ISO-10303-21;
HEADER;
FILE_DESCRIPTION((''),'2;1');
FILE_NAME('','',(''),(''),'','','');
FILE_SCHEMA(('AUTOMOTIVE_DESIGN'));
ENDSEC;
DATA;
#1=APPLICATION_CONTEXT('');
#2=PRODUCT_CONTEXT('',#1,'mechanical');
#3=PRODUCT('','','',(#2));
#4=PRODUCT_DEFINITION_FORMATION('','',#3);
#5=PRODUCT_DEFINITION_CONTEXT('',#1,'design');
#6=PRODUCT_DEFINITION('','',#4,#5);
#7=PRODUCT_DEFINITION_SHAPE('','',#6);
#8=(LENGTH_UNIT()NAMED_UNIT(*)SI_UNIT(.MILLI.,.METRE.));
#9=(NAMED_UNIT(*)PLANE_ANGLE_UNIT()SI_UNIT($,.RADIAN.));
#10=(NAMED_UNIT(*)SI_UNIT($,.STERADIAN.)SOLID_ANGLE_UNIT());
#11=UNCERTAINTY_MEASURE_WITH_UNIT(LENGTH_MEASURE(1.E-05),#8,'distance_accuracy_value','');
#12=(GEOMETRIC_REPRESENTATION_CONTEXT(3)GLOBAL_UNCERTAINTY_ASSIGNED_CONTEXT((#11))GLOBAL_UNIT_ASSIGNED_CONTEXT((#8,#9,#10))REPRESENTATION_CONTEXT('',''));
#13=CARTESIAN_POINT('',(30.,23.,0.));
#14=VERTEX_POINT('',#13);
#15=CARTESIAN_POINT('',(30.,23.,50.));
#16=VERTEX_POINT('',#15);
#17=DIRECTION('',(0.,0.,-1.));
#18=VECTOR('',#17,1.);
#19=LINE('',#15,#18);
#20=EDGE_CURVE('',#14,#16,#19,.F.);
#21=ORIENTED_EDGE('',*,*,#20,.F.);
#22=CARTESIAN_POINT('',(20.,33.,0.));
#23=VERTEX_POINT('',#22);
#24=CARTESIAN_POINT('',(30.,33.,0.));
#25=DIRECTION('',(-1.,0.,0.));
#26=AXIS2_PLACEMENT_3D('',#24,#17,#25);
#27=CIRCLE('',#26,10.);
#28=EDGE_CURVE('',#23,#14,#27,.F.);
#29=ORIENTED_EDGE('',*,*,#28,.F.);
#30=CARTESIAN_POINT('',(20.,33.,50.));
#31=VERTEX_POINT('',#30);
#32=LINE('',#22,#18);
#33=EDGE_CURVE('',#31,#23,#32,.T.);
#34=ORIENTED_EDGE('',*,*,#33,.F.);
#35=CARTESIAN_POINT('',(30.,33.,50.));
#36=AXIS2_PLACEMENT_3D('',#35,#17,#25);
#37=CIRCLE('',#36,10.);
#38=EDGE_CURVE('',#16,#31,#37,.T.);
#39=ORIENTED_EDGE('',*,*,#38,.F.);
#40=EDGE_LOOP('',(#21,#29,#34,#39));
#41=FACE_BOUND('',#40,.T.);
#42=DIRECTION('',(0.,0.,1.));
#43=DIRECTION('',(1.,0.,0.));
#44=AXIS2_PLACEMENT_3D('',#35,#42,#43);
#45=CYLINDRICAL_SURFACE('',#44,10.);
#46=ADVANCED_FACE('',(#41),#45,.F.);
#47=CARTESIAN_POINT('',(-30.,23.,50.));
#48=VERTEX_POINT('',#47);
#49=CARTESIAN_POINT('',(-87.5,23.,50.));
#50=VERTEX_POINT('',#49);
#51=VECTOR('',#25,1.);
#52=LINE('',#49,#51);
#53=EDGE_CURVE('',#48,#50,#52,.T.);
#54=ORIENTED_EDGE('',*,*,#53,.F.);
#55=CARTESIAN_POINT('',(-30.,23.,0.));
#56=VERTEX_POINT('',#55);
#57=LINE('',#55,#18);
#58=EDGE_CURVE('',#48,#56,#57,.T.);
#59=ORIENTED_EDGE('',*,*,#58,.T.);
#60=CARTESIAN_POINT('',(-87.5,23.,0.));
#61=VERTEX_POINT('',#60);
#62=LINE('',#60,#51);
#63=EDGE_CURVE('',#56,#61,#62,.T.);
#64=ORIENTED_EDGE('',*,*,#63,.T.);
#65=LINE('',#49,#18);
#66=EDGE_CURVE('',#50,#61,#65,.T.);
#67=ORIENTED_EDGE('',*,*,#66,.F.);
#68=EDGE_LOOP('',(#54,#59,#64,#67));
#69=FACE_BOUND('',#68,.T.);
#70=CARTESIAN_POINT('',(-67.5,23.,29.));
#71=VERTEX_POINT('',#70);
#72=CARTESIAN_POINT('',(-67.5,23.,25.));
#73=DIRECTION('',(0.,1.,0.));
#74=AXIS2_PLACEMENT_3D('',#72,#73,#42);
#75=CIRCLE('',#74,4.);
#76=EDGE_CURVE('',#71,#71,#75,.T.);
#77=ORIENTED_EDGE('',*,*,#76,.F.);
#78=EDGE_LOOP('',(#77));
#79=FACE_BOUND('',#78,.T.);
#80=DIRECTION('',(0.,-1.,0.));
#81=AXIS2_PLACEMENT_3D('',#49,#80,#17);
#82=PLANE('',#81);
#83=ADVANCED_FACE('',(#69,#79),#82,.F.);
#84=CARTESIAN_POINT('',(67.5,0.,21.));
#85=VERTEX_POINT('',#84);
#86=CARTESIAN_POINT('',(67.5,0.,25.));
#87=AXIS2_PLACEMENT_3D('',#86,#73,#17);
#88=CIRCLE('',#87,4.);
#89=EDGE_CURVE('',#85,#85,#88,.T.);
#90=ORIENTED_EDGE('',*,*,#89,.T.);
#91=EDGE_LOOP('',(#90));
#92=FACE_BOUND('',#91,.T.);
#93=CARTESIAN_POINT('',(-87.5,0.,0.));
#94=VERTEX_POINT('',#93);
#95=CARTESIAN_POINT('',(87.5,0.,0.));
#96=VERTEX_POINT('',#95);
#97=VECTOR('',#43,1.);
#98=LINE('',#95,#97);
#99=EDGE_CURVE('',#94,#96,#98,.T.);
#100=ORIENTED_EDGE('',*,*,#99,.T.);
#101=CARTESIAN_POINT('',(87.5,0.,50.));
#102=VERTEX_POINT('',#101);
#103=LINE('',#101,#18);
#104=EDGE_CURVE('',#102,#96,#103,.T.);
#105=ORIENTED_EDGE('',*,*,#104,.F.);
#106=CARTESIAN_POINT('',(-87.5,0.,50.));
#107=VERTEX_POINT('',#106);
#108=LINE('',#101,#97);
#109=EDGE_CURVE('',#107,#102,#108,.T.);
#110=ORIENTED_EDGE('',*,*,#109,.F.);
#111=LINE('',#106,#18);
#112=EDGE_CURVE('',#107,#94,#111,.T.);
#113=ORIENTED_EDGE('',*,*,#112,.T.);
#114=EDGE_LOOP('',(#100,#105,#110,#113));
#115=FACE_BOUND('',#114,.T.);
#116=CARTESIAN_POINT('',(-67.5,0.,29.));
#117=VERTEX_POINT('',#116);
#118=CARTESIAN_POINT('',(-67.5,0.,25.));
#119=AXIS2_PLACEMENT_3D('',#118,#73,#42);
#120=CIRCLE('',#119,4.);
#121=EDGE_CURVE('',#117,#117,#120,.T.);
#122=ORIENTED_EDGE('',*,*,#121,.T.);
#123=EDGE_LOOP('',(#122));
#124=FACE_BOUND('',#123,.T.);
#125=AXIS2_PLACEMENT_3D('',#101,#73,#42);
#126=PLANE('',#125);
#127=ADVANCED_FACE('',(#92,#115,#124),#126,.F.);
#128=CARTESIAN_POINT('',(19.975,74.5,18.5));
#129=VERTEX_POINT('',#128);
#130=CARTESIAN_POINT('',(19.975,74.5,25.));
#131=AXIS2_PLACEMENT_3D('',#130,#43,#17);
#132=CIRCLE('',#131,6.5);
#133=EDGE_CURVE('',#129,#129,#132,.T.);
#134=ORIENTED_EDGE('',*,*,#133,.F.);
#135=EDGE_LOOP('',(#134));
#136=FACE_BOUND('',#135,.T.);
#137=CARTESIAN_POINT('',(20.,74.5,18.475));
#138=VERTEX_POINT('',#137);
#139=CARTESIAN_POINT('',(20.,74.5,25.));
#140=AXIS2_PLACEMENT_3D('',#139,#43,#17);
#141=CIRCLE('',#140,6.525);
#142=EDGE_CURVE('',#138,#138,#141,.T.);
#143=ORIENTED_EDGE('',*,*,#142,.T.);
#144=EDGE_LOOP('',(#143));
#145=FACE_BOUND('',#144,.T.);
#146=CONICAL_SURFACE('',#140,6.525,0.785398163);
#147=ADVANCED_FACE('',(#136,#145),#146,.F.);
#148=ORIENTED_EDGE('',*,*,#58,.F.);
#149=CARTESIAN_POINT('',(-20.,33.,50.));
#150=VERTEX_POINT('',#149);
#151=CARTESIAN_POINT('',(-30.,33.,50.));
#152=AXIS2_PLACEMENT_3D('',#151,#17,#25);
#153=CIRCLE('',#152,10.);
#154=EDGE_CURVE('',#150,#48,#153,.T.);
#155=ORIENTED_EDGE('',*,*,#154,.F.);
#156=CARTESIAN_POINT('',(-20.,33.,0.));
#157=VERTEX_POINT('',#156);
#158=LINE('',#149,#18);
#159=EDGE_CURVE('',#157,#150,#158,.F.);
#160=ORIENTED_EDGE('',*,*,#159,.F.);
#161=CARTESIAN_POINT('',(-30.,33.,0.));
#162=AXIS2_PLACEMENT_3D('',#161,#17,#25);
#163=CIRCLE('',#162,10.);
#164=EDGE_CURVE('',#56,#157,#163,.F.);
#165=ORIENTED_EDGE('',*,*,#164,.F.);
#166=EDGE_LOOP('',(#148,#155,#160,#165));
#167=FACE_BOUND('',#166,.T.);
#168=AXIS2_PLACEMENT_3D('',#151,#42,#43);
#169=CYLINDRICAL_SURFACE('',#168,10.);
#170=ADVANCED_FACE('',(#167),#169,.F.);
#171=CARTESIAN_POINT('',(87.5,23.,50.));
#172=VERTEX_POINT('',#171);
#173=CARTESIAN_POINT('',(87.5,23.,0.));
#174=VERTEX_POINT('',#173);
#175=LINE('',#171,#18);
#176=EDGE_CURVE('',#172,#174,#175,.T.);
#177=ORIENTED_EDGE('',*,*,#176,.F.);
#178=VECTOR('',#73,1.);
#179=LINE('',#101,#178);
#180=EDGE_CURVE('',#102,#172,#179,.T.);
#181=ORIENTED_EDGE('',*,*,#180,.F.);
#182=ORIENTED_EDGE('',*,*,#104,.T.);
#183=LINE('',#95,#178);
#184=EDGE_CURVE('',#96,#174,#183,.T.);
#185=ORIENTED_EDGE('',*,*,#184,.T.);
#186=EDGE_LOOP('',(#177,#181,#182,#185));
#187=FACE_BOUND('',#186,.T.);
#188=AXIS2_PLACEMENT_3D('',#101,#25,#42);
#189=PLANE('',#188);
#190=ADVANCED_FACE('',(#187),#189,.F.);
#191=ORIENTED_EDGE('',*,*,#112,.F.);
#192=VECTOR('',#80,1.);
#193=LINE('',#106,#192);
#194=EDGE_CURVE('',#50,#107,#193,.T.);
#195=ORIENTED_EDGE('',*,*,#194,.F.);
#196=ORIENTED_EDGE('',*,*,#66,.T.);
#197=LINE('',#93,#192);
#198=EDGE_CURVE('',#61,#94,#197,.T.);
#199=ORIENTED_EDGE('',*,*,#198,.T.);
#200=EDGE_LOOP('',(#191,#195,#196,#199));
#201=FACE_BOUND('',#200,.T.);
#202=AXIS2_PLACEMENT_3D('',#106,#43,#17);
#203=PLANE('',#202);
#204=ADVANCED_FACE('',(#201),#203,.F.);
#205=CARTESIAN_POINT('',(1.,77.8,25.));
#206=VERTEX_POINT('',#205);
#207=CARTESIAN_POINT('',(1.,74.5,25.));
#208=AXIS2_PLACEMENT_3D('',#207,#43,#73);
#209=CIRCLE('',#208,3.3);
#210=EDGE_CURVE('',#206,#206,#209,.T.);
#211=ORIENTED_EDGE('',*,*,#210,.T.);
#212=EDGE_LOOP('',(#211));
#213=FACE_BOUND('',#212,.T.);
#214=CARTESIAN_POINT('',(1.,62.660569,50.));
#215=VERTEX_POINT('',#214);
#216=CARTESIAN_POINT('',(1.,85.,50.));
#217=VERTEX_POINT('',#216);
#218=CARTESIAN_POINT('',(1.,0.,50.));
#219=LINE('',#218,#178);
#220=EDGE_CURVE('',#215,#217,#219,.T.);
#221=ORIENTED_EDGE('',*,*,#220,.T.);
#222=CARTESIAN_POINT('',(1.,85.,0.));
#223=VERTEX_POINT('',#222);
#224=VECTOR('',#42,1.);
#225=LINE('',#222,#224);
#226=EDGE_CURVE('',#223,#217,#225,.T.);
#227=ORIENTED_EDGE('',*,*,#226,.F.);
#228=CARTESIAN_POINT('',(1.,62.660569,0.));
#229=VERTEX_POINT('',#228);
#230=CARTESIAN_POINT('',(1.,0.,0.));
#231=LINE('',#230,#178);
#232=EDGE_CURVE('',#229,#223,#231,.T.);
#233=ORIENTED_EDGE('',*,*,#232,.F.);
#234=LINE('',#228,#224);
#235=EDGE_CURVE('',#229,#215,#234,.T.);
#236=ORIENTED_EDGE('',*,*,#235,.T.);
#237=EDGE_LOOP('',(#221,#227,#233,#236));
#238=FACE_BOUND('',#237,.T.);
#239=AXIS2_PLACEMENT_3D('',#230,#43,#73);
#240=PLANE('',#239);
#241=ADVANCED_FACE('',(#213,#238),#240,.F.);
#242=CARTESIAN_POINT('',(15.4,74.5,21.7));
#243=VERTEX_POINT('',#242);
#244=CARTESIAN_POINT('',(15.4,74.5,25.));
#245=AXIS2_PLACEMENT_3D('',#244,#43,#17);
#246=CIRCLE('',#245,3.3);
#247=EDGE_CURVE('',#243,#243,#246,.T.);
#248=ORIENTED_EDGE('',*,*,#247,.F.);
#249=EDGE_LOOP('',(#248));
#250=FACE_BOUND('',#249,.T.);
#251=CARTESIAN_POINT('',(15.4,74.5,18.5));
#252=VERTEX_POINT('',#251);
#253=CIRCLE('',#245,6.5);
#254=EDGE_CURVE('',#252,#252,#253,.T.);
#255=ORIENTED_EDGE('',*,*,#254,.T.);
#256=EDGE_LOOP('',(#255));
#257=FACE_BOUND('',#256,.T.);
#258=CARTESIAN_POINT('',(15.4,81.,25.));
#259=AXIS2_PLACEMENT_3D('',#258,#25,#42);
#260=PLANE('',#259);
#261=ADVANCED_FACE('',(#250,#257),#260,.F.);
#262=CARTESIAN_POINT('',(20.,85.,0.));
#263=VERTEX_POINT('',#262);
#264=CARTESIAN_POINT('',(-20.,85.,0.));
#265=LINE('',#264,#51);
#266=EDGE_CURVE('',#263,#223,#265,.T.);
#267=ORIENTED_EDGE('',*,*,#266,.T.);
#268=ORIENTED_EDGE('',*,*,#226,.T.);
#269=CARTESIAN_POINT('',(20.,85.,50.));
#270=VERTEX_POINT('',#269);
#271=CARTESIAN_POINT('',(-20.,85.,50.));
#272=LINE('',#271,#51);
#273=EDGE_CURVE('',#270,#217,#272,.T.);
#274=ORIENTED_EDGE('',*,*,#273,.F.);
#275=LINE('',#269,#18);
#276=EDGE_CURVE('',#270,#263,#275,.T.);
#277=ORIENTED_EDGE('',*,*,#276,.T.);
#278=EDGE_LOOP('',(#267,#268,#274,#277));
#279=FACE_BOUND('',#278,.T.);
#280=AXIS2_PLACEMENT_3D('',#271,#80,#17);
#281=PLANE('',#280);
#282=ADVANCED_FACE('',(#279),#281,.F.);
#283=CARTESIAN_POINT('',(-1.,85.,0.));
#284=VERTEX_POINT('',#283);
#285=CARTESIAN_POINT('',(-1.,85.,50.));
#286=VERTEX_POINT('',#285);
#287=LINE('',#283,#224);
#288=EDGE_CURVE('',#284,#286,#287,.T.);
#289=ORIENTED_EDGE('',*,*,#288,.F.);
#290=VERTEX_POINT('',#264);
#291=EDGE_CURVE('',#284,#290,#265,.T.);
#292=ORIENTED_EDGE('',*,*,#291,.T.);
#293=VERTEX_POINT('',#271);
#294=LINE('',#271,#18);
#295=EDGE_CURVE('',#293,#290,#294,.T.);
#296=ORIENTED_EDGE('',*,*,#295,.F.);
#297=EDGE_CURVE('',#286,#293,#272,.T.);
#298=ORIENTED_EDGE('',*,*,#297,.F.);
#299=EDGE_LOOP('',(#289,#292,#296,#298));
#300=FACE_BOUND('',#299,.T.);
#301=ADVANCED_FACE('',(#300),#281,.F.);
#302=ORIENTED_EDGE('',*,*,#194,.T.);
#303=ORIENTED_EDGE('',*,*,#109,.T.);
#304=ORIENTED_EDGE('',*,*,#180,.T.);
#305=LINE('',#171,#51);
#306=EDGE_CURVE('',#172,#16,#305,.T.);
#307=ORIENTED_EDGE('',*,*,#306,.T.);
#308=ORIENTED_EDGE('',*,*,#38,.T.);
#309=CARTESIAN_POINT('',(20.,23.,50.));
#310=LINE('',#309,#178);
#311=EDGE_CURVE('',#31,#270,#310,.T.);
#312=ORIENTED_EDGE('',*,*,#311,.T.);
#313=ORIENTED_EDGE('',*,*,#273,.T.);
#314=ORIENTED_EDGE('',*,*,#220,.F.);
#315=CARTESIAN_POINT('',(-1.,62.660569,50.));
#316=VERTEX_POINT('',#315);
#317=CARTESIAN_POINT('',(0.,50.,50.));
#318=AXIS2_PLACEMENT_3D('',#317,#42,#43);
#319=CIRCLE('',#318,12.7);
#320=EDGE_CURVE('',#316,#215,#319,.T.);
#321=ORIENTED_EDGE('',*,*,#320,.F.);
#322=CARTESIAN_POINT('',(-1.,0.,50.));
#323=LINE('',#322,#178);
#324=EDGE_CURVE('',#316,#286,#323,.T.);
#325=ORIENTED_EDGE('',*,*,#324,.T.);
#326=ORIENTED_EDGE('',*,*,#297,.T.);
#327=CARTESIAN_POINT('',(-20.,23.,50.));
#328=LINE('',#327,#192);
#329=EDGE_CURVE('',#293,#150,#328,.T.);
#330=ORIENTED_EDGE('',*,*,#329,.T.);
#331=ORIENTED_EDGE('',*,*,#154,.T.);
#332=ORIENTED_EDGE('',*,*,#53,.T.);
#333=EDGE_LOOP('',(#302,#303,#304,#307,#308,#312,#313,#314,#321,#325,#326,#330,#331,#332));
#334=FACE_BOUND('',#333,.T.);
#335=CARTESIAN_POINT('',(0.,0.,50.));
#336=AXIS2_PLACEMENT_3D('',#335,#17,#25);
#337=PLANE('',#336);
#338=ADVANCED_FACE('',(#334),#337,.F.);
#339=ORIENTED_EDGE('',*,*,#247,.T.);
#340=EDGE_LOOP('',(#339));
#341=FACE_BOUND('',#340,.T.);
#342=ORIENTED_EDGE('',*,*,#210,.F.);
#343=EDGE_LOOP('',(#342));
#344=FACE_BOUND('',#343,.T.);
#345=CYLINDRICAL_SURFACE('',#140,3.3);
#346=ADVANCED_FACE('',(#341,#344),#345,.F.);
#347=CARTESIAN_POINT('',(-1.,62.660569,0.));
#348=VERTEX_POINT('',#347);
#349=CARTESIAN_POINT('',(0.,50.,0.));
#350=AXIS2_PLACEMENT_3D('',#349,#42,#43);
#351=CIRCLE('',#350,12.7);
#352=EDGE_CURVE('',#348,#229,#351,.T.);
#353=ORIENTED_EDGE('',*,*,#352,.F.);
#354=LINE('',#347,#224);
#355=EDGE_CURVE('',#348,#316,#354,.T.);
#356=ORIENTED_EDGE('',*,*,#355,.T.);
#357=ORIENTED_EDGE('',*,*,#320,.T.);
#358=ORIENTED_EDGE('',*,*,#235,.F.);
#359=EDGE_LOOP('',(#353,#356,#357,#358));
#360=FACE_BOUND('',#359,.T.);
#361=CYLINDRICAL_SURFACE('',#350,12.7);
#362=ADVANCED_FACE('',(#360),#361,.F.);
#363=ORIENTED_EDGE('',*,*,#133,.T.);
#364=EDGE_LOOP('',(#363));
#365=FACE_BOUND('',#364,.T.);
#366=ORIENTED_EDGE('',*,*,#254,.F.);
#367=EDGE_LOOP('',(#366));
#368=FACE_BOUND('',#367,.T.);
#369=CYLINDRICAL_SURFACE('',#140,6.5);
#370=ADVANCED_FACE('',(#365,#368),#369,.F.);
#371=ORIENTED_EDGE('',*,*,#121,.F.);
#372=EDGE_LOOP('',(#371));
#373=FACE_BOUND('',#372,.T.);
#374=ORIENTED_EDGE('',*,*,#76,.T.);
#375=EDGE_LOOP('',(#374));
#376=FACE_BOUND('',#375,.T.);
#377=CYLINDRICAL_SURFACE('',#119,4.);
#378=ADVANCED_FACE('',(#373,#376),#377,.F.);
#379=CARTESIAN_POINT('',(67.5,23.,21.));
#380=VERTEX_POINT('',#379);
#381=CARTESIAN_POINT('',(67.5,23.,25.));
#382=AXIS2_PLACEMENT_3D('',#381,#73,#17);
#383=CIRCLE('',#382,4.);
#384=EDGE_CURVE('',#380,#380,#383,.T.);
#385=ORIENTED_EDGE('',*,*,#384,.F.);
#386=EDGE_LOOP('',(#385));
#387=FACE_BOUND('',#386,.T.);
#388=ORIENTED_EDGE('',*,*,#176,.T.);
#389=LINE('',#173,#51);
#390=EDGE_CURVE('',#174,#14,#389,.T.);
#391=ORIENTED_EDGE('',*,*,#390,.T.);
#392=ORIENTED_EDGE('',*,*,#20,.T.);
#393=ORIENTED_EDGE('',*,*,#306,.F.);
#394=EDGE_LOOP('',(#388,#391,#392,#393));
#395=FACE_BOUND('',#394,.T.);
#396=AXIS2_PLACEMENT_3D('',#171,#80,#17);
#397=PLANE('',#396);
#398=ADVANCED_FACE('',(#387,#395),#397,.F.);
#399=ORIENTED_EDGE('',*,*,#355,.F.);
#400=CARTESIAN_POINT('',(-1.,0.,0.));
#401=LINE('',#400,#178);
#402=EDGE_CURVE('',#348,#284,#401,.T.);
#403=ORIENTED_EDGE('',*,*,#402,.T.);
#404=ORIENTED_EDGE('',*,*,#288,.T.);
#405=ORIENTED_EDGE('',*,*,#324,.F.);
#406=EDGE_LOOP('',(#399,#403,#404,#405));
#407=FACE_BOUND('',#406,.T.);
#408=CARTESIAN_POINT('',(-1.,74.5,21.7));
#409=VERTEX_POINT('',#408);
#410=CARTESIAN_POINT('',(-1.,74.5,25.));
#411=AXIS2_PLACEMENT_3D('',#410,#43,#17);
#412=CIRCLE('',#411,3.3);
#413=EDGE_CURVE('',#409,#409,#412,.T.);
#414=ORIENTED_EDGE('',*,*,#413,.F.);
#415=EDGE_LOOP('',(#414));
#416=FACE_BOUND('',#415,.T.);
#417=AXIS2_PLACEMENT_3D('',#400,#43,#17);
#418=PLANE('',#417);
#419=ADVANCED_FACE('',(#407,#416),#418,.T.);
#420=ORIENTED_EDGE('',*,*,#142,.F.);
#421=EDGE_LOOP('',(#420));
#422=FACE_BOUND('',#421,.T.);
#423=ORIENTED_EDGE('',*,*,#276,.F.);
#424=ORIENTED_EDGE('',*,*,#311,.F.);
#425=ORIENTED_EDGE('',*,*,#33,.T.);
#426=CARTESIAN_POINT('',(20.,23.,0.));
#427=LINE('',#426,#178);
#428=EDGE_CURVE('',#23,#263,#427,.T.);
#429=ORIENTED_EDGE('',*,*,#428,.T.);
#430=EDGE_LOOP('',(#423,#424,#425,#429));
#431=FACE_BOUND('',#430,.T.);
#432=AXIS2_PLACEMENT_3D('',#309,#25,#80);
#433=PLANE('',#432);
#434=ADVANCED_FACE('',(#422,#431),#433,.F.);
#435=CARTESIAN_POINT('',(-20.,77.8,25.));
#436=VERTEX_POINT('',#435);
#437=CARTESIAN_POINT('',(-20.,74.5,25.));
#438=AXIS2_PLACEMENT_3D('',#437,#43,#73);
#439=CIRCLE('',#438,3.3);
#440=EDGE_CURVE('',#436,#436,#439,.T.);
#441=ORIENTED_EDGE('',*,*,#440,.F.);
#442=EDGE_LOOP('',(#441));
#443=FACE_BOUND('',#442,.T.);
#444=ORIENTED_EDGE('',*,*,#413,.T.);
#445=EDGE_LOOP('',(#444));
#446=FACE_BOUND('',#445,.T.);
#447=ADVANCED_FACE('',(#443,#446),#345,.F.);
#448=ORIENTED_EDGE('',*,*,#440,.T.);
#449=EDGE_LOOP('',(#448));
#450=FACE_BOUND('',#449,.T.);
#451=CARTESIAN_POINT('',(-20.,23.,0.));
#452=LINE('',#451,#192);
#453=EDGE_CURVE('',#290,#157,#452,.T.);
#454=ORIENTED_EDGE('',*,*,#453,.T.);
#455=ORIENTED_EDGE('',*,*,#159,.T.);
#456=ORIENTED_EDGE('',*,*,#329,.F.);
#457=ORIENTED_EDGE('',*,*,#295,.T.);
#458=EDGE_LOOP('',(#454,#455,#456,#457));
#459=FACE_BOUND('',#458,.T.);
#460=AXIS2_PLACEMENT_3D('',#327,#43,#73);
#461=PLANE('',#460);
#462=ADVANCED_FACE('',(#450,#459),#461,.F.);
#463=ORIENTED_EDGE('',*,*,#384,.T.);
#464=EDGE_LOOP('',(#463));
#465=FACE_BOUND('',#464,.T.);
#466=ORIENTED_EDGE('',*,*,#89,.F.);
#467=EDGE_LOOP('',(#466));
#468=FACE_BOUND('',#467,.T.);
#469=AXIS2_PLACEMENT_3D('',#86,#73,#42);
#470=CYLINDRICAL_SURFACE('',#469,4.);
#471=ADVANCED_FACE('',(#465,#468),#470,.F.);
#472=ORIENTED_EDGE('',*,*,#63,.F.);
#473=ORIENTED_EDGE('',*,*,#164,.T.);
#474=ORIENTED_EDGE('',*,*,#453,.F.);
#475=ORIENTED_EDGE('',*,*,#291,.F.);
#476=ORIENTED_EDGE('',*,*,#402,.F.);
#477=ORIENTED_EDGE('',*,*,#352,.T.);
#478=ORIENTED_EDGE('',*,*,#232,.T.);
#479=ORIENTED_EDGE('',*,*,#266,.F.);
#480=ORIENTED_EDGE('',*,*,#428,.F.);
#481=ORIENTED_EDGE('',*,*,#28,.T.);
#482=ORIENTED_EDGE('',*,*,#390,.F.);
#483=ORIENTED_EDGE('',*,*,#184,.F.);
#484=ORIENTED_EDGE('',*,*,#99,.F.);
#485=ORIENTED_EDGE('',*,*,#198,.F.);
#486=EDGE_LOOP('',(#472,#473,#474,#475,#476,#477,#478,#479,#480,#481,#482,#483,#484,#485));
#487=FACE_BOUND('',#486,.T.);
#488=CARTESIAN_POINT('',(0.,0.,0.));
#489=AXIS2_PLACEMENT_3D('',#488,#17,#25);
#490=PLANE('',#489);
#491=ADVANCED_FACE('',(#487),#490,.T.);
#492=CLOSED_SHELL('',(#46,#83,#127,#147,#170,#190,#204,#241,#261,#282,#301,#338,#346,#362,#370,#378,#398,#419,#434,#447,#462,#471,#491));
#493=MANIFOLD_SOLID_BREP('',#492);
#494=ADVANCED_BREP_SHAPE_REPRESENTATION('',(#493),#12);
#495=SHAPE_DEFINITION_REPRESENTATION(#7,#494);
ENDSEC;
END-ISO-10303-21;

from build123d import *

# Parameters (mm, degrees)
RESSALTO_EXTRUS_O1_DEPTH = 50
ESBO_O2_R                = 4
CORTE_EXTRUS_O1_DEPTH    = 24
CORTE_EXTRUS_O2_DEPTH    = 51
FILETE1_R                = 10


with BuildPart() as part:
    # Esboço1 → Ressalto-extrusão1 (new body)
    with BuildSketch(Plane.XY):
        Polygon((87.5, 0), (-87.5, 0), (-87.5, 23), (-20, 23), (-20, 85), (20, 85), (20, 23), (87.5, 23), align=None)
    extrude(amount=RESSALTO_EXTRUS_O1_DEPTH)

    # Esboço2 → Corte-extrusão1 (cut, through all)
    with BuildSketch(Plane(origin=(0, 23, 0), x_dir=(1, 0, 0), z_dir=(0, 1, 0))):
        with Locations((-67.5, -25)):
            Circle(ESBO_O2_R)
        with Locations((67.5, -25)):
            Circle(ESBO_O2_R)
    extrude(amount=-CORTE_EXTRUS_O1_DEPTH, mode=Mode.SUBTRACT)

    # Esboço3 → Corte-extrusão2 (cut, through all)
    with BuildSketch(Plane.XY.offset(50)):
        with BuildLine():
            Line((1, 62.660568708), (1, 116.5))
            Line((1, 116.5), (-1, 116.5))
            Line((-1, 116.5), (-1, 62.660568708))
            ThreePointArc((-1, 62.660568708), (0, 37.3), (1, 62.660568708))
        make_face()
    extrude(amount=-CORTE_EXTRUS_O2_DEPTH, mode=Mode.SUBTRACT)

    # Filete1
    filete1_edges = [part.edges().sort_by_distance(p)[0] for p in [
        (-20, 23, 25),
        (20, 23, 25),
    ]]
    fillet(filete1_edges, radius=FILETE1_R)

    # Esboço5 → Rebaixo para parafuso de máquina com cabeça panela de M61 (revolve, cut)
    with BuildSketch(Plane(origin=(20, 74.5, 25), x_dir=(0, 0, -1), z_dir=(0, 1, 0))):
        Polygon((0, 0), (0, 107.5), (3.3, 107.5), (3.3, 4.6), (6.5, 4.6), (6.5, 0.025), (6.525, 0), align=None)
    revolve(axis=Axis((26.35, 74.5, 25), (-1, 0, 0)), mode=Mode.SUBTRACT)


solid = part.part
